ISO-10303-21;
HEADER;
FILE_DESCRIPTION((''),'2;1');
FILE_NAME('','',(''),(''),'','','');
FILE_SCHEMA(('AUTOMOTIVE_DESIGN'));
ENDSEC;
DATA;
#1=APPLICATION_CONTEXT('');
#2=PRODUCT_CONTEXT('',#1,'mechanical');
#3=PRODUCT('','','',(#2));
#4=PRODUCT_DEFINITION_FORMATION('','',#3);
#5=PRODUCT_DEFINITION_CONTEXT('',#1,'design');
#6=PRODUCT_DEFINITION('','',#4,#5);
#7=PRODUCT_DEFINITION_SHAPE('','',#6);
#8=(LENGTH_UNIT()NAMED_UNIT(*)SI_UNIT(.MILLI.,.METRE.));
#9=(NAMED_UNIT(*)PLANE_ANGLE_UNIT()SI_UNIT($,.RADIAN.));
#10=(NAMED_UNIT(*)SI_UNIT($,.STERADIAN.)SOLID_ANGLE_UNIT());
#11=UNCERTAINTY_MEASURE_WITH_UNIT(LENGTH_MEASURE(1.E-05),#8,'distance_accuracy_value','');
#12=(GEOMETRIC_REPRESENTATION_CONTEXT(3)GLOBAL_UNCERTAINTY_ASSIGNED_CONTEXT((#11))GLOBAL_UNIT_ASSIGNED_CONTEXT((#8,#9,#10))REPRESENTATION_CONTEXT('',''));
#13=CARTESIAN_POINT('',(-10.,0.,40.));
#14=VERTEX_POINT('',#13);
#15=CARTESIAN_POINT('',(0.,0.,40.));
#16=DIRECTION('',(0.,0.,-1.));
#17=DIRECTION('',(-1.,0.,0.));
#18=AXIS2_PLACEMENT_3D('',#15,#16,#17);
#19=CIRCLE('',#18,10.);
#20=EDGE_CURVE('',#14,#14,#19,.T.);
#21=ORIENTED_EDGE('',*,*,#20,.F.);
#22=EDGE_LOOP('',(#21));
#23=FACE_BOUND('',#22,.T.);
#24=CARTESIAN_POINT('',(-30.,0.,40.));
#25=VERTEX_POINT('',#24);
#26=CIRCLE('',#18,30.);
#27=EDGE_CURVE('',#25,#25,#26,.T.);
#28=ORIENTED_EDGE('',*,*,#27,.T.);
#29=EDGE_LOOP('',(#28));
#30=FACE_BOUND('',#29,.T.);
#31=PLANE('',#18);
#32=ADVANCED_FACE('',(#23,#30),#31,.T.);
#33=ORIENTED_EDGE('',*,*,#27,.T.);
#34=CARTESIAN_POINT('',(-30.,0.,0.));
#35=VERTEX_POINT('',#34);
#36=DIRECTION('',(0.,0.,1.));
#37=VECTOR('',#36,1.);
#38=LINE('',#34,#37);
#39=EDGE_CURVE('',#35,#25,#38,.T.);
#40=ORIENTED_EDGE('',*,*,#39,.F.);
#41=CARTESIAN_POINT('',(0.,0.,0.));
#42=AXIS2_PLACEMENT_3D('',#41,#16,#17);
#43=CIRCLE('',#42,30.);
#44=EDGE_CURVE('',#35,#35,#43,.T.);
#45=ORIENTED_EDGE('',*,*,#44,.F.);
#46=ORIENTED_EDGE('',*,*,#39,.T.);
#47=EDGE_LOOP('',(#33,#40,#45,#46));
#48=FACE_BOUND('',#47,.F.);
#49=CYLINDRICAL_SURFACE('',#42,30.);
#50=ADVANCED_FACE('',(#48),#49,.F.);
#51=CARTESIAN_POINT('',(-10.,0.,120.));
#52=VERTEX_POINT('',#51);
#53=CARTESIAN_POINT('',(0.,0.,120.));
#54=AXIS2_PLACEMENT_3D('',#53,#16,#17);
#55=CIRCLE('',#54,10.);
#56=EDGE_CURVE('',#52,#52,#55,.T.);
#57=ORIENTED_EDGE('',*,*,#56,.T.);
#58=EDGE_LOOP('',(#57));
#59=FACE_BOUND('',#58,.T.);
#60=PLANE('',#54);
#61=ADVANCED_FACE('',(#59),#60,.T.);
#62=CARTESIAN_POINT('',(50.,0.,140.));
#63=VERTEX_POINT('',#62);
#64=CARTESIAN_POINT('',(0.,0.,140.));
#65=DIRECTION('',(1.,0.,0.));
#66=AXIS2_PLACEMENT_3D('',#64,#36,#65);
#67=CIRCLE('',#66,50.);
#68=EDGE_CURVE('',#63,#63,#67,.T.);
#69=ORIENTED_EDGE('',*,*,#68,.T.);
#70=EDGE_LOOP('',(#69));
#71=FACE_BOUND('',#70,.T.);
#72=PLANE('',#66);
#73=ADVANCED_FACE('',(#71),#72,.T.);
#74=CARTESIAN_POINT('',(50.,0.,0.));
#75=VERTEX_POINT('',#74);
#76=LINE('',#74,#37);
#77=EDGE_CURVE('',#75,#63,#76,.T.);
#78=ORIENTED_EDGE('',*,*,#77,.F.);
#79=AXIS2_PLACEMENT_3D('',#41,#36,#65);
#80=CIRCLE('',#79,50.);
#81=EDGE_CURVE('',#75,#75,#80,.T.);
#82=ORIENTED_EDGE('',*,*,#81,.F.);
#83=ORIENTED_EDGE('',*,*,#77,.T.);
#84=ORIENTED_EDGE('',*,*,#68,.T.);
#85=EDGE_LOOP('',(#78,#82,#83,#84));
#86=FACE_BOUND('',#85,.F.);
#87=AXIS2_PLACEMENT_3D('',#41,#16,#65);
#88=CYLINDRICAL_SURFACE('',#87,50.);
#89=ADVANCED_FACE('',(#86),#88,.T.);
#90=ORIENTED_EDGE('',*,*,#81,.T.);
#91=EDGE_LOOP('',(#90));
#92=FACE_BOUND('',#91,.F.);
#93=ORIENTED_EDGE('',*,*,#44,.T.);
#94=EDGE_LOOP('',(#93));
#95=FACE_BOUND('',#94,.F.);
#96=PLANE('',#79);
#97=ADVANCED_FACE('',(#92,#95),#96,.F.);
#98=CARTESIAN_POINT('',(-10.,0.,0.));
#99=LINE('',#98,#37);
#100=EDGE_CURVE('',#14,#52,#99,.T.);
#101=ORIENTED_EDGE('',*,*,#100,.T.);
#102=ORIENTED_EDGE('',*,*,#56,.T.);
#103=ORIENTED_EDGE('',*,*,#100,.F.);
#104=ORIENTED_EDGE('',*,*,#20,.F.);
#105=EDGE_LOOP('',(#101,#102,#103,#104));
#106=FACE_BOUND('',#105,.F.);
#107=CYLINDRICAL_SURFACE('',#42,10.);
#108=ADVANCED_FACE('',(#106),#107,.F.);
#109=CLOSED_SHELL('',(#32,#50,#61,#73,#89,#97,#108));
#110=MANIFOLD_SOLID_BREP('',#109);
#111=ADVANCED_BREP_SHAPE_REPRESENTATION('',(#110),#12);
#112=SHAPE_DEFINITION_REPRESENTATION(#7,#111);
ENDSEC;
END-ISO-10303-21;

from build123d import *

# Parameters (mm, degrees)
SKETCH1_R           = 50
BOSS_EXTRUDE1_DEPTH = 140
SKETCH4_R           = 30
CUT_EXTRUDE1_DEPTH  = 40
SKETCH5_R           = 10
CUT_EXTRUDE2_DEPTH  = 120


with BuildPart() as part:
    # Sketch1 → Boss-Extrude1 (new body)
    with BuildSketch(Plane.XY):
        Circle(SKETCH1_R)
    extrude(amount=BOSS_EXTRUDE1_DEPTH)

    # Sketch4 → Cut-Extrude1 (cut)
    with BuildSketch(Plane(origin=(0, 0, 0), x_dir=(-1, 0, 0), z_dir=(0, 0, -1))):
        Circle(SKETCH4_R)
    extrude(amount=-CUT_EXTRUDE1_DEPTH, mode=Mode.SUBTRACT)

    # Sketch5 → Cut-Extrude2 (cut)
    with BuildSketch(Plane(origin=(0, 0, 0), x_dir=(-1, 0, 0), z_dir=(0, 0, -1))):
        Circle(SKETCH5_R)
    extrude(amount=-CUT_EXTRUDE2_DEPTH, mode=Mode.SUBTRACT)


solid = part.part
